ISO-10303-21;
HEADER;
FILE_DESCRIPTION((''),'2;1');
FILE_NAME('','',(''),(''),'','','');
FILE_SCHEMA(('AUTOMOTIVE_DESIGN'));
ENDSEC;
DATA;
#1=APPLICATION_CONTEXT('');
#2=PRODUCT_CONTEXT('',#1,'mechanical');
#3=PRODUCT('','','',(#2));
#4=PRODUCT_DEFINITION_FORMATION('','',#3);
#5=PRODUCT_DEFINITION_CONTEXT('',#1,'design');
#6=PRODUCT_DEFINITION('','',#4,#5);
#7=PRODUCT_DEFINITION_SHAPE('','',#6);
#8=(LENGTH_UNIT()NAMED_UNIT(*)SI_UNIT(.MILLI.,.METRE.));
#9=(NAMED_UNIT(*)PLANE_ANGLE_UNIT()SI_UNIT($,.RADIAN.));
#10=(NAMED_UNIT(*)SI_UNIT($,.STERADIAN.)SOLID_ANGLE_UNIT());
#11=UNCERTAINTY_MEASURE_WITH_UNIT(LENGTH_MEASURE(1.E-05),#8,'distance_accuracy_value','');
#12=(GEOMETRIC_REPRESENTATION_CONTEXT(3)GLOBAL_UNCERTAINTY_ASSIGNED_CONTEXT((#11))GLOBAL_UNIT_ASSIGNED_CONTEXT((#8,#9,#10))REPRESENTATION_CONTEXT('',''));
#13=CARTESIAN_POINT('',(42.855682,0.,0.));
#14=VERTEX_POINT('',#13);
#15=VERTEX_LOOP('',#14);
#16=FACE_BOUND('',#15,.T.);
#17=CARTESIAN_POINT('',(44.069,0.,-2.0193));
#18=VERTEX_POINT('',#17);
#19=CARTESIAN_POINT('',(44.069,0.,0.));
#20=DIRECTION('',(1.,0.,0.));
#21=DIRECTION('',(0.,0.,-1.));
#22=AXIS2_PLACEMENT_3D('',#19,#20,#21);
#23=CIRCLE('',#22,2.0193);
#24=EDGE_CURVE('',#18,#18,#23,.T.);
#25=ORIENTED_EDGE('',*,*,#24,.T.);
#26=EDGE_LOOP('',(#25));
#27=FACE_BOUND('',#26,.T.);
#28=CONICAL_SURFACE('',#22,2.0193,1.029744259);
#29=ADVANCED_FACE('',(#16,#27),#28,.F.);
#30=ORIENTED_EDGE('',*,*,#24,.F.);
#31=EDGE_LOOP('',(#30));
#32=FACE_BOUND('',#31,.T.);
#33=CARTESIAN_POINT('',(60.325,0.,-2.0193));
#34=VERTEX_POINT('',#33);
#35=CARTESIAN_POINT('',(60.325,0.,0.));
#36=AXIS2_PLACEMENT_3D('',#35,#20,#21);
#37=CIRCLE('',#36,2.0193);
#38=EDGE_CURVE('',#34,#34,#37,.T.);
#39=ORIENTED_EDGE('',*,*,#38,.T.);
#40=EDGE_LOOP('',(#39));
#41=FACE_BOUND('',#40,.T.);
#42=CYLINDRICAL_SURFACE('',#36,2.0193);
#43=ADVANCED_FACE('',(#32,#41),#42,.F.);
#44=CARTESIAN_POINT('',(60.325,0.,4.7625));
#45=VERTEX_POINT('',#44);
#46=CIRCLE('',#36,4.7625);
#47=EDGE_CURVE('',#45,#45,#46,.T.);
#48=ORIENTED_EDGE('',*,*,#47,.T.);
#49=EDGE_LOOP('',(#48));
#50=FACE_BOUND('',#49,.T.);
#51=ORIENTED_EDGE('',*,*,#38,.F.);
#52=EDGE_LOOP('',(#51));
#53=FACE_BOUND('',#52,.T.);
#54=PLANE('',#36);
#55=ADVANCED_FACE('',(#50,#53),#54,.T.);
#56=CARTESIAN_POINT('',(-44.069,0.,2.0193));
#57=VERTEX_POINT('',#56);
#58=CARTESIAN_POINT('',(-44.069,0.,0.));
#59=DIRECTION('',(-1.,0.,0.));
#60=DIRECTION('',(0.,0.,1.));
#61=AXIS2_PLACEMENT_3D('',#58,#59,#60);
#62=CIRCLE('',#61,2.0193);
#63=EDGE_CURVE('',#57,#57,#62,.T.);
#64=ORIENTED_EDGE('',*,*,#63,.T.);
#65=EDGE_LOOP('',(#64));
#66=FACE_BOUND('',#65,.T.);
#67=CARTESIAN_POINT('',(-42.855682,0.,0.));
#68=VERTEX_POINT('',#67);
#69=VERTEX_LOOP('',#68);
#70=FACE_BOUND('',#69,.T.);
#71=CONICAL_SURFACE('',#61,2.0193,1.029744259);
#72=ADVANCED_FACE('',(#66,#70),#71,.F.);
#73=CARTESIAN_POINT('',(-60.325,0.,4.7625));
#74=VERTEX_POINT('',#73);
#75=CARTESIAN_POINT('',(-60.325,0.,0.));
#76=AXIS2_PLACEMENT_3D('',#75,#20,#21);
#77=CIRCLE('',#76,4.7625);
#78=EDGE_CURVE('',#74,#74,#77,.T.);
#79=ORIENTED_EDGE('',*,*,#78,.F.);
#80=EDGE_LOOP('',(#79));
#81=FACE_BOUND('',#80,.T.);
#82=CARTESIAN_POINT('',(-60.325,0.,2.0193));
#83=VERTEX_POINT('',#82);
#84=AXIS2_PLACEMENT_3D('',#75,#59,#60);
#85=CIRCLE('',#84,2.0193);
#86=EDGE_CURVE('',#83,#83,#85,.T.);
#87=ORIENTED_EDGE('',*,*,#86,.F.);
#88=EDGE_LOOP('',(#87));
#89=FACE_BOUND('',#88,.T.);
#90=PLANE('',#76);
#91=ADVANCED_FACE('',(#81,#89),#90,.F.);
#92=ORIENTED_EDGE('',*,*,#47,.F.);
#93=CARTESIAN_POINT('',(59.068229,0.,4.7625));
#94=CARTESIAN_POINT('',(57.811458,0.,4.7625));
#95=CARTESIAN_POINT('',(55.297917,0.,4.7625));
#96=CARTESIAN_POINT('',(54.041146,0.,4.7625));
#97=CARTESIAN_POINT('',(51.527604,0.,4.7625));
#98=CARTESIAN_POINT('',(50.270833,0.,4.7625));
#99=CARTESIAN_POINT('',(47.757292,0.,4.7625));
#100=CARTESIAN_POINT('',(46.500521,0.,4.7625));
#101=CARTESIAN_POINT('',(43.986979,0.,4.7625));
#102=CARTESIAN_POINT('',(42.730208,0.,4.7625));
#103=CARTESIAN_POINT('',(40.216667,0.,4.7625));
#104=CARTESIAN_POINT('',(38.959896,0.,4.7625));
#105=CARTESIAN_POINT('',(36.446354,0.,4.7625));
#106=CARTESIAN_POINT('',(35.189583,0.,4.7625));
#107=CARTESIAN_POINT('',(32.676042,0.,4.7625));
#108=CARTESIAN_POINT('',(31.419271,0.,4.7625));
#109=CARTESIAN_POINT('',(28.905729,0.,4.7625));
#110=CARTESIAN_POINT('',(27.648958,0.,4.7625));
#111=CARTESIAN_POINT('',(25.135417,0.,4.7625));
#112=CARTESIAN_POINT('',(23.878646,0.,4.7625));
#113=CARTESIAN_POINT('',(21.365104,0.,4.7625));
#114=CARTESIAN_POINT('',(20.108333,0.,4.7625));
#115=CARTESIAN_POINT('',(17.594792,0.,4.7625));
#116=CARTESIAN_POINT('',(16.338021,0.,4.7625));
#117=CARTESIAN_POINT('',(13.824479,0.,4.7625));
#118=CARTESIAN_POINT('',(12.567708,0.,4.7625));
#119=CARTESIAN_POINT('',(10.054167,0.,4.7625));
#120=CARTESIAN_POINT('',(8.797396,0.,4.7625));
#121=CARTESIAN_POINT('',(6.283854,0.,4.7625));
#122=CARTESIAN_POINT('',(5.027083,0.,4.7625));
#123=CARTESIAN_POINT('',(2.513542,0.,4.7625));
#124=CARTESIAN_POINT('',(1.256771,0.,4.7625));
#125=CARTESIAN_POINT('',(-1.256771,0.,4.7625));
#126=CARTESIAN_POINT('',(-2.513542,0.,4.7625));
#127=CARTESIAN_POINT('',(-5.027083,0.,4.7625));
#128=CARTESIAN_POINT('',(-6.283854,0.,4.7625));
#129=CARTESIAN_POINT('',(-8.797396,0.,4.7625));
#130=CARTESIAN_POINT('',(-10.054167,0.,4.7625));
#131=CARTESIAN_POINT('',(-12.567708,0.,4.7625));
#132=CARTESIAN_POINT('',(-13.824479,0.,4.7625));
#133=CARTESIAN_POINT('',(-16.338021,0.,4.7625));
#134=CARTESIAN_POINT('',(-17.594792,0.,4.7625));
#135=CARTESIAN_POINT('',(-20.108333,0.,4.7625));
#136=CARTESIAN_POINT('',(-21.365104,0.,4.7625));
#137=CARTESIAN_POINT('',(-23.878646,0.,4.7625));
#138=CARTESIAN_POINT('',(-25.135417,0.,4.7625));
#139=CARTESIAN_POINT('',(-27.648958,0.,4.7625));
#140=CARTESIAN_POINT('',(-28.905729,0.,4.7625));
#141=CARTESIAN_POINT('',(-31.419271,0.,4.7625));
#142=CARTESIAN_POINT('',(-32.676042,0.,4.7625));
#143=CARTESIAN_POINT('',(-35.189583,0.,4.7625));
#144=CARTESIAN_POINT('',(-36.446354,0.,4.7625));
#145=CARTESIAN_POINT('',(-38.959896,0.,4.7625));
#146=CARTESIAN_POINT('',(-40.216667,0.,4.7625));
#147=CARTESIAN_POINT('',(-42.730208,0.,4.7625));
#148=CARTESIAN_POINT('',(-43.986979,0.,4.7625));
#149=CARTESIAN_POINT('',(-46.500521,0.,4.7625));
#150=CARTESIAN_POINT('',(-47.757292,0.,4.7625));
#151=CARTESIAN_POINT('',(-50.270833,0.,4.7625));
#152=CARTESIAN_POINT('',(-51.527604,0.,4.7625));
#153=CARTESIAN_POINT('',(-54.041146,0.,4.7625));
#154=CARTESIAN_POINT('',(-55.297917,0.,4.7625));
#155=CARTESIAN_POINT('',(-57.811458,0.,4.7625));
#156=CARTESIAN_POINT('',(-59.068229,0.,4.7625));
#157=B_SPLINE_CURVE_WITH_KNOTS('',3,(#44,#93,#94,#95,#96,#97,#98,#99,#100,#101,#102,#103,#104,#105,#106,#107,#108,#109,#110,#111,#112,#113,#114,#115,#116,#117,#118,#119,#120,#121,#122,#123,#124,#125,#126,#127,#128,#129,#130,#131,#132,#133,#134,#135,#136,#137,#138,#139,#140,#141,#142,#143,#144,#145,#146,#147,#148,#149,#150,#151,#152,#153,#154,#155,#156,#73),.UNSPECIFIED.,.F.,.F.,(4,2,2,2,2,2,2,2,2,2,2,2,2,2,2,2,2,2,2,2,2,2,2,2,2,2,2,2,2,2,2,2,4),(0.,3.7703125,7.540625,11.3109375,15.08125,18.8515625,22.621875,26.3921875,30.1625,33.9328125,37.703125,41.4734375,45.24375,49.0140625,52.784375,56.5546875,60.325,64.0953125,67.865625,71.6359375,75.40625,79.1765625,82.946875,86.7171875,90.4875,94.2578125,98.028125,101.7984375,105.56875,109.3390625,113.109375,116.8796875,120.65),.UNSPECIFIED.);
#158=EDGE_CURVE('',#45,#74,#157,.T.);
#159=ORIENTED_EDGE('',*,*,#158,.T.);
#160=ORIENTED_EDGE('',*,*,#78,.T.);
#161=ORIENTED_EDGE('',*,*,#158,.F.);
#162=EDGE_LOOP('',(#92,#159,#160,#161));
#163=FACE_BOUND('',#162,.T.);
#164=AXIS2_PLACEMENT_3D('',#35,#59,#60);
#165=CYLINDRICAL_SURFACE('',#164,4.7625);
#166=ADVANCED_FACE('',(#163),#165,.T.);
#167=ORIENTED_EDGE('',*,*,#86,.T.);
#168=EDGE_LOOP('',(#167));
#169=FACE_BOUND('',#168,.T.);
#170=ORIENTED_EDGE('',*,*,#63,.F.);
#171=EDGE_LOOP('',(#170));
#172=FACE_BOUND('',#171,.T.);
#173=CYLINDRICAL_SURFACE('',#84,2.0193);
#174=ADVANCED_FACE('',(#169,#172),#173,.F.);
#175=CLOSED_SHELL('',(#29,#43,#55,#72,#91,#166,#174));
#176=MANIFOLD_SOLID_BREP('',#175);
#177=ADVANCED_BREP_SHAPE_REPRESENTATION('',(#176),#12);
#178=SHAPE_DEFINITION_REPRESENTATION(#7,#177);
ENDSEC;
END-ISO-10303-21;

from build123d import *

# Parameters (mm, degrees)
SKETCH1_R                            = 4.7625
BOSS_EXTRUDE1_DEPTH                  = 60.325
F_10_32_TAPPED_HOLE1_D               = 4.0386
F_10_32_TAPPED_HOLE1_DEPTH           = 16.256
F_10_32_TAPPED_HOLE1_TIP             = 1.213317848
F_10_32_TAPPED_HOLE1_ON_FACE_2_D     = 4.0386
F_10_32_TAPPED_HOLE1_ON_FACE_2_DEPTH = 16.256
F_10_32_TAPPED_HOLE1_ON_FACE_2_TIP   = 1.213317848


with BuildPart() as part:
    # Sketch1 → Boss-Extrude1 (new, symmetric)
    with BuildSketch(Plane(origin=(0, 0, 0), x_dir=(0, 0, -1), z_dir=(1, 0, 0))):
        with Locations(Location((0, 0, 0), (0, 0, 180))):
            Circle(SKETCH1_R)
    extrude(amount=BOSS_EXTRUDE1_DEPTH, both=True)

    # #10-32 Tapped Hole1
    with Locations(Plane(origin=(60.325, 0, 0), x_dir=(0, 0, 1), z_dir=(1, 0, 0))):
        with Locations((0, 0)):
            Hole(F_10_32_TAPPED_HOLE1_D / 2, depth=F_10_32_TAPPED_HOLE1_DEPTH)
            with Locations((0, 0, -(F_10_32_TAPPED_HOLE1_DEPTH + F_10_32_TAPPED_HOLE1_TIP / 2))):  # 118° drill point
                Cone(0, F_10_32_TAPPED_HOLE1_D / 2, F_10_32_TAPPED_HOLE1_TIP, mode=Mode.SUBTRACT)

    # #10-32 Tapped Hole1 on face 2
    with Locations(Plane(origin=(-60.325, 0, 0), x_dir=(0, 0, -1), z_dir=(-1, 0, 0))):
        with Locations((0, 0)):
            Hole(F_10_32_TAPPED_HOLE1_ON_FACE_2_D / 2, depth=F_10_32_TAPPED_HOLE1_ON_FACE_2_DEPTH)
            with Locations((0, 0, -(F_10_32_TAPPED_HOLE1_ON_FACE_2_DEPTH + F_10_32_TAPPED_HOLE1_ON_FACE_2_TIP / 2))):  # 118° drill point
                Cone(0, F_10_32_TAPPED_HOLE1_ON_FACE_2_D / 2, F_10_32_TAPPED_HOLE1_ON_FACE_2_TIP, mode=Mode.SUBTRACT)


solid = part.part
